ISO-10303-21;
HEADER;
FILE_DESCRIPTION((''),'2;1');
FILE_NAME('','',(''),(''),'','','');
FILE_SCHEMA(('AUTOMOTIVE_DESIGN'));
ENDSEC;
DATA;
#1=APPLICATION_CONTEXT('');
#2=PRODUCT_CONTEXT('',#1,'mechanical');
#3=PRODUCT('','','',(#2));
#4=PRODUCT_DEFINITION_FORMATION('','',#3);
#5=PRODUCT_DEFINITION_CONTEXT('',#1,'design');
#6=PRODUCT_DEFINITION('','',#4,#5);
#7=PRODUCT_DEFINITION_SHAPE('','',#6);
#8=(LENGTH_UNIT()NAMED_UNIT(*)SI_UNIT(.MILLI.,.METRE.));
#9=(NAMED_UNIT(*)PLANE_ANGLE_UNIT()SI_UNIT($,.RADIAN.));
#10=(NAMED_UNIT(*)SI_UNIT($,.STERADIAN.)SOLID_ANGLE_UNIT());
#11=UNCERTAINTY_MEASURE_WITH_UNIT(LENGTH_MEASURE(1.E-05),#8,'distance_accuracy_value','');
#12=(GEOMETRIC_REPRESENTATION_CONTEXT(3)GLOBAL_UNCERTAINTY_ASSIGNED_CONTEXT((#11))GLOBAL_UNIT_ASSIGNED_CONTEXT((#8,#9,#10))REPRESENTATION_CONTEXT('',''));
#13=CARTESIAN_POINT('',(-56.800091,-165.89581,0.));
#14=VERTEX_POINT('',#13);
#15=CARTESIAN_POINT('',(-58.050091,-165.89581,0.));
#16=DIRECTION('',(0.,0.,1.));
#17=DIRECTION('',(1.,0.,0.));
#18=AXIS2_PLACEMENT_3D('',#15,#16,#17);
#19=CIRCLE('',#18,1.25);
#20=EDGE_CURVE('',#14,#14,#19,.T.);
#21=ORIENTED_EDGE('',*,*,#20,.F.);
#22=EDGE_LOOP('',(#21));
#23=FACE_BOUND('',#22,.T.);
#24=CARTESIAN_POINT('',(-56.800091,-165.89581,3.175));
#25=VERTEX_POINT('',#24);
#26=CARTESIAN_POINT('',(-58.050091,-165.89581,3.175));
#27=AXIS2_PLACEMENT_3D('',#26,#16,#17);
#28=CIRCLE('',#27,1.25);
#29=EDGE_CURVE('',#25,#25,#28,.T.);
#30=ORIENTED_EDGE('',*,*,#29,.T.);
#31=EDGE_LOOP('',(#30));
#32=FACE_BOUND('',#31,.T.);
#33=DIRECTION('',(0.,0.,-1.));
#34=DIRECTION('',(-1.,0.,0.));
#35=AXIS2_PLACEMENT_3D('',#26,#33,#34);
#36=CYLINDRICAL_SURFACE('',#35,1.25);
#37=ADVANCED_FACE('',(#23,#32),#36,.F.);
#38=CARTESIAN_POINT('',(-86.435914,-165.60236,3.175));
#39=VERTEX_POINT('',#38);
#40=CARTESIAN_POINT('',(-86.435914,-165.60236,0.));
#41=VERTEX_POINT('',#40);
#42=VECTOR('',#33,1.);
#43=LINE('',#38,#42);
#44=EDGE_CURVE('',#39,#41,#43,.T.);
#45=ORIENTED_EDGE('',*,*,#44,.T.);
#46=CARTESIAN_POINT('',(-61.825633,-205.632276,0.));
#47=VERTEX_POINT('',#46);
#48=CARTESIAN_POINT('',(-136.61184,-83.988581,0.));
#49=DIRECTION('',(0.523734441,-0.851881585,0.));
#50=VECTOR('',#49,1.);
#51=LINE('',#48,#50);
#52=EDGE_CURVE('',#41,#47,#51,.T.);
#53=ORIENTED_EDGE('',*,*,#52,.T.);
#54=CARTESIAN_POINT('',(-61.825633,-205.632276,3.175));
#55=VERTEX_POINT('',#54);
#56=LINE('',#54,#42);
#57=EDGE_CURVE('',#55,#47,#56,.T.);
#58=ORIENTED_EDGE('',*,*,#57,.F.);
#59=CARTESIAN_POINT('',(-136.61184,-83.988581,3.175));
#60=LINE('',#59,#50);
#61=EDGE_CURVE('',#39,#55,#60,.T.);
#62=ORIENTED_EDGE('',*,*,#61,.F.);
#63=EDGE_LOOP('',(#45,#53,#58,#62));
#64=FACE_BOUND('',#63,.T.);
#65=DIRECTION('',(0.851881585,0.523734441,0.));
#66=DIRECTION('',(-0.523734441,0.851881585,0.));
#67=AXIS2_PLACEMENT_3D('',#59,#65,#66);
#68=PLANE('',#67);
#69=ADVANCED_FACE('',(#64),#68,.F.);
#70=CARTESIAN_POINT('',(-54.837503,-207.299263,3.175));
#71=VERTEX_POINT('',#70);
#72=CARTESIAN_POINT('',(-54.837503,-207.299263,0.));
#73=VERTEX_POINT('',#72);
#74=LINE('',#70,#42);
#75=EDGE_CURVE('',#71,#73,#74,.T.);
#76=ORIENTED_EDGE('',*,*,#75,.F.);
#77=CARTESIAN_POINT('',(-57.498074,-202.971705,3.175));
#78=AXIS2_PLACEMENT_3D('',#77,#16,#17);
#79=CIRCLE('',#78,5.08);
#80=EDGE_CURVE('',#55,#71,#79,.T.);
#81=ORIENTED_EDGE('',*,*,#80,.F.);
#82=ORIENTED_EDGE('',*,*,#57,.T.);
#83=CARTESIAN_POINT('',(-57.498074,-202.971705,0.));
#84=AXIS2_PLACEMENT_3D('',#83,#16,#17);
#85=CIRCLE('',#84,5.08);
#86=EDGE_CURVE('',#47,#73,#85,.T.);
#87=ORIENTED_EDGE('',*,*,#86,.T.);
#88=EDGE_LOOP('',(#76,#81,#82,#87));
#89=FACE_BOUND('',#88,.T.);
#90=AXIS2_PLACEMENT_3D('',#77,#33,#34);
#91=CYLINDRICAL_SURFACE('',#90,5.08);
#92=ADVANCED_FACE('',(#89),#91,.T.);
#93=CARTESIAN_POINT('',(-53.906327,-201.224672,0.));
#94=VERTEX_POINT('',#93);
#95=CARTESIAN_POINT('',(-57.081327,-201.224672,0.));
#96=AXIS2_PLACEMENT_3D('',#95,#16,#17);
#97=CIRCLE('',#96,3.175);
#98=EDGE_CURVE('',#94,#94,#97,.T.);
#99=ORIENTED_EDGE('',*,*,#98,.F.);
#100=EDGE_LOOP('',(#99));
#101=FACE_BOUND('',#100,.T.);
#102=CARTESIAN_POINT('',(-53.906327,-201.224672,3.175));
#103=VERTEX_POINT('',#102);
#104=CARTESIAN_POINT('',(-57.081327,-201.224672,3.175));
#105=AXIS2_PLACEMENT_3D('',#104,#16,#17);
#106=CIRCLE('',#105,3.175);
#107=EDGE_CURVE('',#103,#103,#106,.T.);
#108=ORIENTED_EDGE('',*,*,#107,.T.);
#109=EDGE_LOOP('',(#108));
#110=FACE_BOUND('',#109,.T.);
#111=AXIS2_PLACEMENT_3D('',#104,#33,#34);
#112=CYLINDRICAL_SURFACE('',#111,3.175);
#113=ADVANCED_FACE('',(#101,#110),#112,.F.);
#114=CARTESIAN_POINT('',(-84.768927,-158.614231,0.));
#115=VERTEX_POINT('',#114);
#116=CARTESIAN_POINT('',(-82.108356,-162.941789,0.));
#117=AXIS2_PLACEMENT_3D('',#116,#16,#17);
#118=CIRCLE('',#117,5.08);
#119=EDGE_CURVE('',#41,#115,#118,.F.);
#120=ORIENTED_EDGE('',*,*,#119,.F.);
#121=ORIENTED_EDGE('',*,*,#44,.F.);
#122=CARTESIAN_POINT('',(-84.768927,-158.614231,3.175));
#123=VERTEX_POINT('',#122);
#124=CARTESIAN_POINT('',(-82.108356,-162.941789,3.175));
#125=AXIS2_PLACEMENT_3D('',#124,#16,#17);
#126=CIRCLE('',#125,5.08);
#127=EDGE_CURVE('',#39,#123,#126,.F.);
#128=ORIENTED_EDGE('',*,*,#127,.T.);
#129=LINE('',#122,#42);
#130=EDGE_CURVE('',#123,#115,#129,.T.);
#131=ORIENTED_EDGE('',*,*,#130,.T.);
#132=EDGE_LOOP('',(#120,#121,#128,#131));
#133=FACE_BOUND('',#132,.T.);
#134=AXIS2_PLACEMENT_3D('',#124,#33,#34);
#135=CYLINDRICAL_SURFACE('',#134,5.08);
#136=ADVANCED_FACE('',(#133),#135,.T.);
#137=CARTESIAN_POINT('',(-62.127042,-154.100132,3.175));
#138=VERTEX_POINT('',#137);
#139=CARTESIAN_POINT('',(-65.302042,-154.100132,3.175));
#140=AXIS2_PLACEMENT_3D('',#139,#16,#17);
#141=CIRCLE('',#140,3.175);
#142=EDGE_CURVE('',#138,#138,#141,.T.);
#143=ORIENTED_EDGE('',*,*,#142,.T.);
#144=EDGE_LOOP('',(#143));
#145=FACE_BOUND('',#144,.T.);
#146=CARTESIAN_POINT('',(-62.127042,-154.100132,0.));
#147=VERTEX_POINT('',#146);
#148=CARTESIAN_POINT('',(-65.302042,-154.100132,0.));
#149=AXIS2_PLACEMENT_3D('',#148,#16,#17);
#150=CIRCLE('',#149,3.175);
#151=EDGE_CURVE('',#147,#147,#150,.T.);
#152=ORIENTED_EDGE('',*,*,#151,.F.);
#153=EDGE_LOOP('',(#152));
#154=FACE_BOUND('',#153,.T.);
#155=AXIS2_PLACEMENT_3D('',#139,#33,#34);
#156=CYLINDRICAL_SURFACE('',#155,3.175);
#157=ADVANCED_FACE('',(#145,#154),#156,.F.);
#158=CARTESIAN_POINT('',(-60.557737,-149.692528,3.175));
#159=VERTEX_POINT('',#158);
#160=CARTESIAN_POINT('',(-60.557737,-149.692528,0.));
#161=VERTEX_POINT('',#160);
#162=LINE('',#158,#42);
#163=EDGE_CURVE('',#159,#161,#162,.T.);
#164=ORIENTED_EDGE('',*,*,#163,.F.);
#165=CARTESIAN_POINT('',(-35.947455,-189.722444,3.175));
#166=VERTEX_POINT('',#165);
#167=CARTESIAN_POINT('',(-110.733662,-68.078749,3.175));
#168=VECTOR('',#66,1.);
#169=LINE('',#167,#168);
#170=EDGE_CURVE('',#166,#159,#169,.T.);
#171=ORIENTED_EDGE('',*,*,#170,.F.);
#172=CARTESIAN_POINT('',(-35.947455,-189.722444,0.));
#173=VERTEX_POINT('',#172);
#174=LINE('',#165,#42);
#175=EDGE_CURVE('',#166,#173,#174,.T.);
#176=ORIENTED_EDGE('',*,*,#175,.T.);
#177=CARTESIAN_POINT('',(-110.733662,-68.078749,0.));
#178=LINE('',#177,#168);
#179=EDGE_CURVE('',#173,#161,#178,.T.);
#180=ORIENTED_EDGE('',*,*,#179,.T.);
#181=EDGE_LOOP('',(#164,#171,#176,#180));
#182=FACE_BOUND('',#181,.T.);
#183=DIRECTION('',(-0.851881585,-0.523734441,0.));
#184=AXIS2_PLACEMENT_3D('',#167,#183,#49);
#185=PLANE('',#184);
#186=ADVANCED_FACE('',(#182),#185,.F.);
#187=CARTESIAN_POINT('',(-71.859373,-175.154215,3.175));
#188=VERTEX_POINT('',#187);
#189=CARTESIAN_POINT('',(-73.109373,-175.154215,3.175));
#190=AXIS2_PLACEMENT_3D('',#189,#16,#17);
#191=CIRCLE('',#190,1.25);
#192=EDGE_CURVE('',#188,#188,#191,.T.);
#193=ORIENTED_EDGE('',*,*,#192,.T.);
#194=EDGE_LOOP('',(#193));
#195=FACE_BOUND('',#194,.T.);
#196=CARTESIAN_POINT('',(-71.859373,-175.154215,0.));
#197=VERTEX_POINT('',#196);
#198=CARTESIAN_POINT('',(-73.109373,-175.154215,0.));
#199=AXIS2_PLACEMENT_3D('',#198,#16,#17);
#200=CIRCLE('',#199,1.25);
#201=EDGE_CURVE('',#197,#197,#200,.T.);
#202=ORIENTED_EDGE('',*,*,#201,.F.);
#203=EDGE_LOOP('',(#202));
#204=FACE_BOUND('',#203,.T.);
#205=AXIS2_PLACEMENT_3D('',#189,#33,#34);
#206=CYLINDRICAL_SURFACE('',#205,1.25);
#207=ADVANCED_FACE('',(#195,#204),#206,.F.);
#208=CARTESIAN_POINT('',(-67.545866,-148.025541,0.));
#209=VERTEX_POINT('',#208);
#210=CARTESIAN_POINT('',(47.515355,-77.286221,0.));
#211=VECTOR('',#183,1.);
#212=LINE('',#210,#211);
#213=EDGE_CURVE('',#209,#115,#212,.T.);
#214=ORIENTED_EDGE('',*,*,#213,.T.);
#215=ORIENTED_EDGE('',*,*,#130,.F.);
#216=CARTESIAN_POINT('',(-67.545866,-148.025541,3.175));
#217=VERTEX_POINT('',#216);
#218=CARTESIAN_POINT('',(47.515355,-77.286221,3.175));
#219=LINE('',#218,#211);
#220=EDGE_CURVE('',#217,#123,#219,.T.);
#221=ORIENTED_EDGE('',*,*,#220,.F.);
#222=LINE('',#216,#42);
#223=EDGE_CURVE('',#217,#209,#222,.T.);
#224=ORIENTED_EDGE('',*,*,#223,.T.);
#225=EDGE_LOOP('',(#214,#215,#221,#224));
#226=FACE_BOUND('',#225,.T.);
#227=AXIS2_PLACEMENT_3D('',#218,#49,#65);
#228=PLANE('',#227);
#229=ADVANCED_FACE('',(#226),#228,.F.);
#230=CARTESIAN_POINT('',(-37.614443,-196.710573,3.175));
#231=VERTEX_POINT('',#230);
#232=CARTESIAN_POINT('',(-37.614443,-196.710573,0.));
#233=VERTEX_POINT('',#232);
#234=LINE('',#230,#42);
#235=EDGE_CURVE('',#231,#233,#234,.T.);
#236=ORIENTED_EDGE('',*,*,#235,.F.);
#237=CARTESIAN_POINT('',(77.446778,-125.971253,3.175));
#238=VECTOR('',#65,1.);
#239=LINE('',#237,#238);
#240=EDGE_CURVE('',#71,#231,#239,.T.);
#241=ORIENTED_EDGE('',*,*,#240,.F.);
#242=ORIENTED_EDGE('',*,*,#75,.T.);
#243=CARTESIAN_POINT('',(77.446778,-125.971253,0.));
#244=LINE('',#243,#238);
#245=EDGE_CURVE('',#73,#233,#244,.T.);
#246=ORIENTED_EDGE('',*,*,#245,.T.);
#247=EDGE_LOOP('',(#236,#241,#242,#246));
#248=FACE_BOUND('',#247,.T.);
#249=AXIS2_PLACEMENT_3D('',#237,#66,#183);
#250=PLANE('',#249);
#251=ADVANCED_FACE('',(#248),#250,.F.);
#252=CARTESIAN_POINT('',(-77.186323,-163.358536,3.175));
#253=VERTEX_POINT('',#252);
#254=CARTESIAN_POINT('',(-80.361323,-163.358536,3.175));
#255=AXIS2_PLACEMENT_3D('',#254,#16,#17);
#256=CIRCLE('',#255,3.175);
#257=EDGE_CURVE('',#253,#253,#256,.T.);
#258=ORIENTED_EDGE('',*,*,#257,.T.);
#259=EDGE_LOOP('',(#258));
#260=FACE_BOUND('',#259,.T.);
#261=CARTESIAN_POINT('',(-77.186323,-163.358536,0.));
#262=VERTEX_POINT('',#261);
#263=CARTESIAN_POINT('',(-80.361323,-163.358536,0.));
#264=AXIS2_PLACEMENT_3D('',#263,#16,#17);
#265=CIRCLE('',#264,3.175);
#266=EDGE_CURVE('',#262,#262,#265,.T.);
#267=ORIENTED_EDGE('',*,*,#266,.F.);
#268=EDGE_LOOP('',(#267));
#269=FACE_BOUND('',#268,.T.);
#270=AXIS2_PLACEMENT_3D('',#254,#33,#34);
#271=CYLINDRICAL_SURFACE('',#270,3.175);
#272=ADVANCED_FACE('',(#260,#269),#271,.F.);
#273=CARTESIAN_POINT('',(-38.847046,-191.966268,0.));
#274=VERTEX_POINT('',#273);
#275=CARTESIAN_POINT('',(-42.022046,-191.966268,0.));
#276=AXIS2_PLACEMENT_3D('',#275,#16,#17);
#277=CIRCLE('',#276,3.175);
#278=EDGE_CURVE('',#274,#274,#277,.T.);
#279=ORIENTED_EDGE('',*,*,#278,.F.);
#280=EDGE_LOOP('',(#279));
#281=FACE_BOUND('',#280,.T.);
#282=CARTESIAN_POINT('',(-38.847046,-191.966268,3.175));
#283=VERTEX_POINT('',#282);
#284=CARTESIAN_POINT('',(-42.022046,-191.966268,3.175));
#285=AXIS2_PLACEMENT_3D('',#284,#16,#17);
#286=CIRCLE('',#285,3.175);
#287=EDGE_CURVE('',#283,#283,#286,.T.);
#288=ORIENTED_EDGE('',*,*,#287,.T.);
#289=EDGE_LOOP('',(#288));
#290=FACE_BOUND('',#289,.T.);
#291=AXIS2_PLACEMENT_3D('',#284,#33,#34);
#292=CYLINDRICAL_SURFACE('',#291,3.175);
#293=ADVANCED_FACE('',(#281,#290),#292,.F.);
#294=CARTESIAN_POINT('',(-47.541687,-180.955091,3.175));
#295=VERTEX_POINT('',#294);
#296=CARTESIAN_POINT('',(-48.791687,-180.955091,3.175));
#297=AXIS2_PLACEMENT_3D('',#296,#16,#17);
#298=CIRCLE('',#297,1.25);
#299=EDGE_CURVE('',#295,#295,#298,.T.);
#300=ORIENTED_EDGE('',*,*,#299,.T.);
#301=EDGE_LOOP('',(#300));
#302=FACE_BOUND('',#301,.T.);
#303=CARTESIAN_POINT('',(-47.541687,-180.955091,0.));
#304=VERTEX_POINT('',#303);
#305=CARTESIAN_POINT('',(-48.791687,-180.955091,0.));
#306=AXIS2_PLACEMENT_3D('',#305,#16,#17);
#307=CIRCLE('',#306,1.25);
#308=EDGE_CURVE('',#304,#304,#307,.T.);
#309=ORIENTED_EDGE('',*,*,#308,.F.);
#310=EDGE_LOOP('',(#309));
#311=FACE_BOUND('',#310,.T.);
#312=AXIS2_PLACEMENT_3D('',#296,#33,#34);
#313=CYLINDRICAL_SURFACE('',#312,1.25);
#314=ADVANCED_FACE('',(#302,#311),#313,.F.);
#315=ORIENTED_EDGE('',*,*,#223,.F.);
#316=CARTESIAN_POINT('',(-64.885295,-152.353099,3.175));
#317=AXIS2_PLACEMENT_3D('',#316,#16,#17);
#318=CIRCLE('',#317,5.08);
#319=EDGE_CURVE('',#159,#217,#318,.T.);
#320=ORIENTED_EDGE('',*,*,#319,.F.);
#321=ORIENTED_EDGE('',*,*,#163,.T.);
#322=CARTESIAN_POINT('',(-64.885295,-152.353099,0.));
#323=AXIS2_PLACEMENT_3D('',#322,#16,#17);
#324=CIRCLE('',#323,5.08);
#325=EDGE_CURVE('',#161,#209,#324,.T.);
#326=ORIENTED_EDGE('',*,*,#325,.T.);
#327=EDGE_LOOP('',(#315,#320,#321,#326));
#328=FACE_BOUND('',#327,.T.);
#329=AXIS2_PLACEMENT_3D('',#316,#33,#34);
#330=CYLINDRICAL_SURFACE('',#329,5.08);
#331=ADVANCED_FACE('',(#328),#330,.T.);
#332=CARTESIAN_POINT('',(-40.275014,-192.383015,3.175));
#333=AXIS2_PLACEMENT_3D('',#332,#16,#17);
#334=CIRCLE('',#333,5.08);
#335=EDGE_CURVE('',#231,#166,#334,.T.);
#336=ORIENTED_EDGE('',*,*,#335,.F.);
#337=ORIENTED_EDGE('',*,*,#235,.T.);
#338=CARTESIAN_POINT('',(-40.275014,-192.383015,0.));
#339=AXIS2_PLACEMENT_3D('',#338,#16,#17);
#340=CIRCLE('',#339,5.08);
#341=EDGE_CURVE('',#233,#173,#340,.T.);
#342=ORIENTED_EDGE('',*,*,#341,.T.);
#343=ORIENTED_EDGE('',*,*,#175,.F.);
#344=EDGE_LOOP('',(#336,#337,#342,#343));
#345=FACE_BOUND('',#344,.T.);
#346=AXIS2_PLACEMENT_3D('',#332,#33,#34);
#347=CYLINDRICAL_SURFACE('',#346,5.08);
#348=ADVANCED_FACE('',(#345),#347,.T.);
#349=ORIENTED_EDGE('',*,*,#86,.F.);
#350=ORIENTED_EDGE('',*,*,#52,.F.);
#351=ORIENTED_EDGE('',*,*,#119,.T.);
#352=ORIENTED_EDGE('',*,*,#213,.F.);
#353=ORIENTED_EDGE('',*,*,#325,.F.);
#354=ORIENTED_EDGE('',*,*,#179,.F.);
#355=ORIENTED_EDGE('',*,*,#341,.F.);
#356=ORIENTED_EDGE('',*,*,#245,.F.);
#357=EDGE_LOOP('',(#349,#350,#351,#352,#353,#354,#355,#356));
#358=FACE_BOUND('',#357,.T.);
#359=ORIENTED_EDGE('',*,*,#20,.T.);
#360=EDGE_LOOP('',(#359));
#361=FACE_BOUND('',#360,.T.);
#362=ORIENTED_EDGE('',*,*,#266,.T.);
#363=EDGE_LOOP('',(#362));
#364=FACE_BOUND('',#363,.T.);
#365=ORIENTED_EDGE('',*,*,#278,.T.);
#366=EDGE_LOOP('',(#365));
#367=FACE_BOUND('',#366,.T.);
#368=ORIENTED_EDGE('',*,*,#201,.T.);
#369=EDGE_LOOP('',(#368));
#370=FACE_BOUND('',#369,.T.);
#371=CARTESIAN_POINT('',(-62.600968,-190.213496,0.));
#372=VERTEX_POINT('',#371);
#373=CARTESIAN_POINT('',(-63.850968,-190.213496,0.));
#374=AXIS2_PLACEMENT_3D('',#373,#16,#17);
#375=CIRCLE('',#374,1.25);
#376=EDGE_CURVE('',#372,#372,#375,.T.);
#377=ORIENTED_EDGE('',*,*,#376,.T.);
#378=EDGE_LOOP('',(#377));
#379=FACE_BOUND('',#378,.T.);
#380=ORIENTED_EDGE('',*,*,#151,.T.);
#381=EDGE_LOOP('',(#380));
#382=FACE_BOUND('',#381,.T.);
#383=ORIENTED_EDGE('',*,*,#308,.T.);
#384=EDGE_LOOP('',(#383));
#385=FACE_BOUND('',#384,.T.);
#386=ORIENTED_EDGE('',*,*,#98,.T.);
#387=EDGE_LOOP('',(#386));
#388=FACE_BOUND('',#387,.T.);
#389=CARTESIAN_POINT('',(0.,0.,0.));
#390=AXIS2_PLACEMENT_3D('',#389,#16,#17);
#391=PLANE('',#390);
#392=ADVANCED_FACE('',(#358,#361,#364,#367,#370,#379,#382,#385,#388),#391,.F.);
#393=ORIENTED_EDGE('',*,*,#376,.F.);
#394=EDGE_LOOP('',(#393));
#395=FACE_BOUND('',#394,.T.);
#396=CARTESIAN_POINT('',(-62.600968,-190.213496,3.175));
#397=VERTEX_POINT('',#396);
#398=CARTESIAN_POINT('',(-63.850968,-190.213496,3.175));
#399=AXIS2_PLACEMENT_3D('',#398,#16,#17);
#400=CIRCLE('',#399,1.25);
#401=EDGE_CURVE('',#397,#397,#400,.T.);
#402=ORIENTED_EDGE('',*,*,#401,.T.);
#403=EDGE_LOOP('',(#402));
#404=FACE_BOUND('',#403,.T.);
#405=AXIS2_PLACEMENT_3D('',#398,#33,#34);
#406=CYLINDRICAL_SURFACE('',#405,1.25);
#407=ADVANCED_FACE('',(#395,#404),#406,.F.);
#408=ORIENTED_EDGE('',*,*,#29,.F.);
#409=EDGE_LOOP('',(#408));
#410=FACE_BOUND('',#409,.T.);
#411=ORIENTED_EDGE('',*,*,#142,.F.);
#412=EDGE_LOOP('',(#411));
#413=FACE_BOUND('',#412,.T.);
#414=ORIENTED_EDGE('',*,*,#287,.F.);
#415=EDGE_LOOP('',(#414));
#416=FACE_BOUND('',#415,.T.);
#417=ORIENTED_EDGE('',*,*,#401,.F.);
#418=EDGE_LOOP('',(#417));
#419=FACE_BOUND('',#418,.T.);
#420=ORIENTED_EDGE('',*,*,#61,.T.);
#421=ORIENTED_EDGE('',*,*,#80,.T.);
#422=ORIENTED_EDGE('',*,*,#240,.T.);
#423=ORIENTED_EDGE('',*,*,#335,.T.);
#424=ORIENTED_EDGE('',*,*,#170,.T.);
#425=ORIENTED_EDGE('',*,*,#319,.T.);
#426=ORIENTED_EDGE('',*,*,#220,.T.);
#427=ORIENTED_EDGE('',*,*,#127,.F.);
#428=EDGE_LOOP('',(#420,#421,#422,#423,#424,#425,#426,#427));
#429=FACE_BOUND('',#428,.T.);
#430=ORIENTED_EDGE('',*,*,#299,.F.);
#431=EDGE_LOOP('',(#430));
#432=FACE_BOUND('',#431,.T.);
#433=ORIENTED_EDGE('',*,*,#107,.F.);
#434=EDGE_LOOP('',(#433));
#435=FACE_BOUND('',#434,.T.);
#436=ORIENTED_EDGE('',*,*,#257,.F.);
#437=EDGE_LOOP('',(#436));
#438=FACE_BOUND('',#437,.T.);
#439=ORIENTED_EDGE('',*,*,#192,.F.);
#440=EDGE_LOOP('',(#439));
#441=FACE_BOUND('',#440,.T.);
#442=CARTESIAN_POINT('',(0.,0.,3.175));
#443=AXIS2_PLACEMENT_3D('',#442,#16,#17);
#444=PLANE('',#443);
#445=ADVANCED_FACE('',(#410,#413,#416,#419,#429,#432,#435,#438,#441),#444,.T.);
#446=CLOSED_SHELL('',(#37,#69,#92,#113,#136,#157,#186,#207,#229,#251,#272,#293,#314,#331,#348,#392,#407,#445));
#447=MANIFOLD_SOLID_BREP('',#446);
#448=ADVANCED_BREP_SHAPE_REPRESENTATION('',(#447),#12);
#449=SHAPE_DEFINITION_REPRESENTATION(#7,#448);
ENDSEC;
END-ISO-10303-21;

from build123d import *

# Parameters (mm, degrees)
SKETCH1_R           = 3.175
BOSS_EXTRUDE1_DEPTH = 3.175


with BuildPart() as part:
    # Sketch1 → Boss-Extrude1 (new body)
    with BuildSketch(Plane.XY):
        with BuildLine():
            Line((-86.435913995, -165.602360031), (-61.825632619, -205.632275727))
            ThreePointArc((-61.825632619, -205.632275727), (-58.676812327, -207.913058463), (-54.837503206, -207.299263221))
            Line((-54.837503206, -207.299263221), (-37.614442835, -196.710573375))
            ThreePointArc((-37.614442835, -196.710573375), (-35.333660099, -193.561753082), (-35.947455341, -189.722443962))
            Line((-35.947455341, -189.722443962), (-60.557736717, -149.692528266))
            ThreePointArc((-60.557736717, -149.692528266), (-63.706557009, -147.411745529), (-67.54586613, -148.025540772))
            Line((-67.54586613, -148.025540772), (-84.768926501, -158.614230618))
            ThreePointArc((-84.768926501, -158.614230618), (-87.049709237, -161.763050911), (-86.435913995, -165.602360031))
        make_face()
        with Locations((-80.361323188, -163.358535945)):
            Circle(SKETCH1_R, mode=Mode.SUBTRACT)
        with Locations((-65.302042044, -154.100131579)):
            Circle(SKETCH1_R, mode=Mode.SUBTRACT)
        with Locations((-42.022046148, -191.966268048)):
            Circle(SKETCH1_R, mode=Mode.SUBTRACT)
        with Locations((-57.081327292, -201.224672414)):
            Circle(SKETCH1_R, mode=Mode.SUBTRACT)
        with BuildLine():
            ThreePointArc((-62.635083896, -190.503539682), (-63.560924333, -188.997611568), (-65.066852447, -189.923452004))
            ThreePointArc((-65.066852447, -189.923452004), (-64.141012011, -191.429380119), (-62.635083896, -190.503539682))
        make_face(mode=Mode.SUBTRACT)
        with BuildLine():
            ThreePointArc((-50.007571303, -180.665047637), (-49.081730866, -182.170975752), (-47.575802752, -181.245135315))
            ThreePointArc((-47.575802752, -181.245135315), (-48.501643188, -179.739207201), (-50.007571303, -180.665047637))
        make_face(mode=Mode.SUBTRACT)
        with BuildLine():
            ThreePointArc((-56.834207119, -166.185854171), (-57.760047555, -164.679926057), (-59.26597567, -165.605766493))
            ThreePointArc((-59.26597567, -165.605766493), (-58.340135233, -167.111694608), (-56.834207119, -166.185854171))
        make_face(mode=Mode.SUBTRACT)
        with BuildLine():
            ThreePointArc((-74.325256814, -174.86417086), (-73.399416377, -176.370098974), (-71.893488263, -175.444258538))
            ThreePointArc((-71.893488263, -175.444258538), (-72.819328699, -173.938330423), (-74.325256814, -174.86417086))
        make_face(mode=Mode.SUBTRACT)
    extrude(amount=BOSS_EXTRUDE1_DEPTH)


solid = part.part
